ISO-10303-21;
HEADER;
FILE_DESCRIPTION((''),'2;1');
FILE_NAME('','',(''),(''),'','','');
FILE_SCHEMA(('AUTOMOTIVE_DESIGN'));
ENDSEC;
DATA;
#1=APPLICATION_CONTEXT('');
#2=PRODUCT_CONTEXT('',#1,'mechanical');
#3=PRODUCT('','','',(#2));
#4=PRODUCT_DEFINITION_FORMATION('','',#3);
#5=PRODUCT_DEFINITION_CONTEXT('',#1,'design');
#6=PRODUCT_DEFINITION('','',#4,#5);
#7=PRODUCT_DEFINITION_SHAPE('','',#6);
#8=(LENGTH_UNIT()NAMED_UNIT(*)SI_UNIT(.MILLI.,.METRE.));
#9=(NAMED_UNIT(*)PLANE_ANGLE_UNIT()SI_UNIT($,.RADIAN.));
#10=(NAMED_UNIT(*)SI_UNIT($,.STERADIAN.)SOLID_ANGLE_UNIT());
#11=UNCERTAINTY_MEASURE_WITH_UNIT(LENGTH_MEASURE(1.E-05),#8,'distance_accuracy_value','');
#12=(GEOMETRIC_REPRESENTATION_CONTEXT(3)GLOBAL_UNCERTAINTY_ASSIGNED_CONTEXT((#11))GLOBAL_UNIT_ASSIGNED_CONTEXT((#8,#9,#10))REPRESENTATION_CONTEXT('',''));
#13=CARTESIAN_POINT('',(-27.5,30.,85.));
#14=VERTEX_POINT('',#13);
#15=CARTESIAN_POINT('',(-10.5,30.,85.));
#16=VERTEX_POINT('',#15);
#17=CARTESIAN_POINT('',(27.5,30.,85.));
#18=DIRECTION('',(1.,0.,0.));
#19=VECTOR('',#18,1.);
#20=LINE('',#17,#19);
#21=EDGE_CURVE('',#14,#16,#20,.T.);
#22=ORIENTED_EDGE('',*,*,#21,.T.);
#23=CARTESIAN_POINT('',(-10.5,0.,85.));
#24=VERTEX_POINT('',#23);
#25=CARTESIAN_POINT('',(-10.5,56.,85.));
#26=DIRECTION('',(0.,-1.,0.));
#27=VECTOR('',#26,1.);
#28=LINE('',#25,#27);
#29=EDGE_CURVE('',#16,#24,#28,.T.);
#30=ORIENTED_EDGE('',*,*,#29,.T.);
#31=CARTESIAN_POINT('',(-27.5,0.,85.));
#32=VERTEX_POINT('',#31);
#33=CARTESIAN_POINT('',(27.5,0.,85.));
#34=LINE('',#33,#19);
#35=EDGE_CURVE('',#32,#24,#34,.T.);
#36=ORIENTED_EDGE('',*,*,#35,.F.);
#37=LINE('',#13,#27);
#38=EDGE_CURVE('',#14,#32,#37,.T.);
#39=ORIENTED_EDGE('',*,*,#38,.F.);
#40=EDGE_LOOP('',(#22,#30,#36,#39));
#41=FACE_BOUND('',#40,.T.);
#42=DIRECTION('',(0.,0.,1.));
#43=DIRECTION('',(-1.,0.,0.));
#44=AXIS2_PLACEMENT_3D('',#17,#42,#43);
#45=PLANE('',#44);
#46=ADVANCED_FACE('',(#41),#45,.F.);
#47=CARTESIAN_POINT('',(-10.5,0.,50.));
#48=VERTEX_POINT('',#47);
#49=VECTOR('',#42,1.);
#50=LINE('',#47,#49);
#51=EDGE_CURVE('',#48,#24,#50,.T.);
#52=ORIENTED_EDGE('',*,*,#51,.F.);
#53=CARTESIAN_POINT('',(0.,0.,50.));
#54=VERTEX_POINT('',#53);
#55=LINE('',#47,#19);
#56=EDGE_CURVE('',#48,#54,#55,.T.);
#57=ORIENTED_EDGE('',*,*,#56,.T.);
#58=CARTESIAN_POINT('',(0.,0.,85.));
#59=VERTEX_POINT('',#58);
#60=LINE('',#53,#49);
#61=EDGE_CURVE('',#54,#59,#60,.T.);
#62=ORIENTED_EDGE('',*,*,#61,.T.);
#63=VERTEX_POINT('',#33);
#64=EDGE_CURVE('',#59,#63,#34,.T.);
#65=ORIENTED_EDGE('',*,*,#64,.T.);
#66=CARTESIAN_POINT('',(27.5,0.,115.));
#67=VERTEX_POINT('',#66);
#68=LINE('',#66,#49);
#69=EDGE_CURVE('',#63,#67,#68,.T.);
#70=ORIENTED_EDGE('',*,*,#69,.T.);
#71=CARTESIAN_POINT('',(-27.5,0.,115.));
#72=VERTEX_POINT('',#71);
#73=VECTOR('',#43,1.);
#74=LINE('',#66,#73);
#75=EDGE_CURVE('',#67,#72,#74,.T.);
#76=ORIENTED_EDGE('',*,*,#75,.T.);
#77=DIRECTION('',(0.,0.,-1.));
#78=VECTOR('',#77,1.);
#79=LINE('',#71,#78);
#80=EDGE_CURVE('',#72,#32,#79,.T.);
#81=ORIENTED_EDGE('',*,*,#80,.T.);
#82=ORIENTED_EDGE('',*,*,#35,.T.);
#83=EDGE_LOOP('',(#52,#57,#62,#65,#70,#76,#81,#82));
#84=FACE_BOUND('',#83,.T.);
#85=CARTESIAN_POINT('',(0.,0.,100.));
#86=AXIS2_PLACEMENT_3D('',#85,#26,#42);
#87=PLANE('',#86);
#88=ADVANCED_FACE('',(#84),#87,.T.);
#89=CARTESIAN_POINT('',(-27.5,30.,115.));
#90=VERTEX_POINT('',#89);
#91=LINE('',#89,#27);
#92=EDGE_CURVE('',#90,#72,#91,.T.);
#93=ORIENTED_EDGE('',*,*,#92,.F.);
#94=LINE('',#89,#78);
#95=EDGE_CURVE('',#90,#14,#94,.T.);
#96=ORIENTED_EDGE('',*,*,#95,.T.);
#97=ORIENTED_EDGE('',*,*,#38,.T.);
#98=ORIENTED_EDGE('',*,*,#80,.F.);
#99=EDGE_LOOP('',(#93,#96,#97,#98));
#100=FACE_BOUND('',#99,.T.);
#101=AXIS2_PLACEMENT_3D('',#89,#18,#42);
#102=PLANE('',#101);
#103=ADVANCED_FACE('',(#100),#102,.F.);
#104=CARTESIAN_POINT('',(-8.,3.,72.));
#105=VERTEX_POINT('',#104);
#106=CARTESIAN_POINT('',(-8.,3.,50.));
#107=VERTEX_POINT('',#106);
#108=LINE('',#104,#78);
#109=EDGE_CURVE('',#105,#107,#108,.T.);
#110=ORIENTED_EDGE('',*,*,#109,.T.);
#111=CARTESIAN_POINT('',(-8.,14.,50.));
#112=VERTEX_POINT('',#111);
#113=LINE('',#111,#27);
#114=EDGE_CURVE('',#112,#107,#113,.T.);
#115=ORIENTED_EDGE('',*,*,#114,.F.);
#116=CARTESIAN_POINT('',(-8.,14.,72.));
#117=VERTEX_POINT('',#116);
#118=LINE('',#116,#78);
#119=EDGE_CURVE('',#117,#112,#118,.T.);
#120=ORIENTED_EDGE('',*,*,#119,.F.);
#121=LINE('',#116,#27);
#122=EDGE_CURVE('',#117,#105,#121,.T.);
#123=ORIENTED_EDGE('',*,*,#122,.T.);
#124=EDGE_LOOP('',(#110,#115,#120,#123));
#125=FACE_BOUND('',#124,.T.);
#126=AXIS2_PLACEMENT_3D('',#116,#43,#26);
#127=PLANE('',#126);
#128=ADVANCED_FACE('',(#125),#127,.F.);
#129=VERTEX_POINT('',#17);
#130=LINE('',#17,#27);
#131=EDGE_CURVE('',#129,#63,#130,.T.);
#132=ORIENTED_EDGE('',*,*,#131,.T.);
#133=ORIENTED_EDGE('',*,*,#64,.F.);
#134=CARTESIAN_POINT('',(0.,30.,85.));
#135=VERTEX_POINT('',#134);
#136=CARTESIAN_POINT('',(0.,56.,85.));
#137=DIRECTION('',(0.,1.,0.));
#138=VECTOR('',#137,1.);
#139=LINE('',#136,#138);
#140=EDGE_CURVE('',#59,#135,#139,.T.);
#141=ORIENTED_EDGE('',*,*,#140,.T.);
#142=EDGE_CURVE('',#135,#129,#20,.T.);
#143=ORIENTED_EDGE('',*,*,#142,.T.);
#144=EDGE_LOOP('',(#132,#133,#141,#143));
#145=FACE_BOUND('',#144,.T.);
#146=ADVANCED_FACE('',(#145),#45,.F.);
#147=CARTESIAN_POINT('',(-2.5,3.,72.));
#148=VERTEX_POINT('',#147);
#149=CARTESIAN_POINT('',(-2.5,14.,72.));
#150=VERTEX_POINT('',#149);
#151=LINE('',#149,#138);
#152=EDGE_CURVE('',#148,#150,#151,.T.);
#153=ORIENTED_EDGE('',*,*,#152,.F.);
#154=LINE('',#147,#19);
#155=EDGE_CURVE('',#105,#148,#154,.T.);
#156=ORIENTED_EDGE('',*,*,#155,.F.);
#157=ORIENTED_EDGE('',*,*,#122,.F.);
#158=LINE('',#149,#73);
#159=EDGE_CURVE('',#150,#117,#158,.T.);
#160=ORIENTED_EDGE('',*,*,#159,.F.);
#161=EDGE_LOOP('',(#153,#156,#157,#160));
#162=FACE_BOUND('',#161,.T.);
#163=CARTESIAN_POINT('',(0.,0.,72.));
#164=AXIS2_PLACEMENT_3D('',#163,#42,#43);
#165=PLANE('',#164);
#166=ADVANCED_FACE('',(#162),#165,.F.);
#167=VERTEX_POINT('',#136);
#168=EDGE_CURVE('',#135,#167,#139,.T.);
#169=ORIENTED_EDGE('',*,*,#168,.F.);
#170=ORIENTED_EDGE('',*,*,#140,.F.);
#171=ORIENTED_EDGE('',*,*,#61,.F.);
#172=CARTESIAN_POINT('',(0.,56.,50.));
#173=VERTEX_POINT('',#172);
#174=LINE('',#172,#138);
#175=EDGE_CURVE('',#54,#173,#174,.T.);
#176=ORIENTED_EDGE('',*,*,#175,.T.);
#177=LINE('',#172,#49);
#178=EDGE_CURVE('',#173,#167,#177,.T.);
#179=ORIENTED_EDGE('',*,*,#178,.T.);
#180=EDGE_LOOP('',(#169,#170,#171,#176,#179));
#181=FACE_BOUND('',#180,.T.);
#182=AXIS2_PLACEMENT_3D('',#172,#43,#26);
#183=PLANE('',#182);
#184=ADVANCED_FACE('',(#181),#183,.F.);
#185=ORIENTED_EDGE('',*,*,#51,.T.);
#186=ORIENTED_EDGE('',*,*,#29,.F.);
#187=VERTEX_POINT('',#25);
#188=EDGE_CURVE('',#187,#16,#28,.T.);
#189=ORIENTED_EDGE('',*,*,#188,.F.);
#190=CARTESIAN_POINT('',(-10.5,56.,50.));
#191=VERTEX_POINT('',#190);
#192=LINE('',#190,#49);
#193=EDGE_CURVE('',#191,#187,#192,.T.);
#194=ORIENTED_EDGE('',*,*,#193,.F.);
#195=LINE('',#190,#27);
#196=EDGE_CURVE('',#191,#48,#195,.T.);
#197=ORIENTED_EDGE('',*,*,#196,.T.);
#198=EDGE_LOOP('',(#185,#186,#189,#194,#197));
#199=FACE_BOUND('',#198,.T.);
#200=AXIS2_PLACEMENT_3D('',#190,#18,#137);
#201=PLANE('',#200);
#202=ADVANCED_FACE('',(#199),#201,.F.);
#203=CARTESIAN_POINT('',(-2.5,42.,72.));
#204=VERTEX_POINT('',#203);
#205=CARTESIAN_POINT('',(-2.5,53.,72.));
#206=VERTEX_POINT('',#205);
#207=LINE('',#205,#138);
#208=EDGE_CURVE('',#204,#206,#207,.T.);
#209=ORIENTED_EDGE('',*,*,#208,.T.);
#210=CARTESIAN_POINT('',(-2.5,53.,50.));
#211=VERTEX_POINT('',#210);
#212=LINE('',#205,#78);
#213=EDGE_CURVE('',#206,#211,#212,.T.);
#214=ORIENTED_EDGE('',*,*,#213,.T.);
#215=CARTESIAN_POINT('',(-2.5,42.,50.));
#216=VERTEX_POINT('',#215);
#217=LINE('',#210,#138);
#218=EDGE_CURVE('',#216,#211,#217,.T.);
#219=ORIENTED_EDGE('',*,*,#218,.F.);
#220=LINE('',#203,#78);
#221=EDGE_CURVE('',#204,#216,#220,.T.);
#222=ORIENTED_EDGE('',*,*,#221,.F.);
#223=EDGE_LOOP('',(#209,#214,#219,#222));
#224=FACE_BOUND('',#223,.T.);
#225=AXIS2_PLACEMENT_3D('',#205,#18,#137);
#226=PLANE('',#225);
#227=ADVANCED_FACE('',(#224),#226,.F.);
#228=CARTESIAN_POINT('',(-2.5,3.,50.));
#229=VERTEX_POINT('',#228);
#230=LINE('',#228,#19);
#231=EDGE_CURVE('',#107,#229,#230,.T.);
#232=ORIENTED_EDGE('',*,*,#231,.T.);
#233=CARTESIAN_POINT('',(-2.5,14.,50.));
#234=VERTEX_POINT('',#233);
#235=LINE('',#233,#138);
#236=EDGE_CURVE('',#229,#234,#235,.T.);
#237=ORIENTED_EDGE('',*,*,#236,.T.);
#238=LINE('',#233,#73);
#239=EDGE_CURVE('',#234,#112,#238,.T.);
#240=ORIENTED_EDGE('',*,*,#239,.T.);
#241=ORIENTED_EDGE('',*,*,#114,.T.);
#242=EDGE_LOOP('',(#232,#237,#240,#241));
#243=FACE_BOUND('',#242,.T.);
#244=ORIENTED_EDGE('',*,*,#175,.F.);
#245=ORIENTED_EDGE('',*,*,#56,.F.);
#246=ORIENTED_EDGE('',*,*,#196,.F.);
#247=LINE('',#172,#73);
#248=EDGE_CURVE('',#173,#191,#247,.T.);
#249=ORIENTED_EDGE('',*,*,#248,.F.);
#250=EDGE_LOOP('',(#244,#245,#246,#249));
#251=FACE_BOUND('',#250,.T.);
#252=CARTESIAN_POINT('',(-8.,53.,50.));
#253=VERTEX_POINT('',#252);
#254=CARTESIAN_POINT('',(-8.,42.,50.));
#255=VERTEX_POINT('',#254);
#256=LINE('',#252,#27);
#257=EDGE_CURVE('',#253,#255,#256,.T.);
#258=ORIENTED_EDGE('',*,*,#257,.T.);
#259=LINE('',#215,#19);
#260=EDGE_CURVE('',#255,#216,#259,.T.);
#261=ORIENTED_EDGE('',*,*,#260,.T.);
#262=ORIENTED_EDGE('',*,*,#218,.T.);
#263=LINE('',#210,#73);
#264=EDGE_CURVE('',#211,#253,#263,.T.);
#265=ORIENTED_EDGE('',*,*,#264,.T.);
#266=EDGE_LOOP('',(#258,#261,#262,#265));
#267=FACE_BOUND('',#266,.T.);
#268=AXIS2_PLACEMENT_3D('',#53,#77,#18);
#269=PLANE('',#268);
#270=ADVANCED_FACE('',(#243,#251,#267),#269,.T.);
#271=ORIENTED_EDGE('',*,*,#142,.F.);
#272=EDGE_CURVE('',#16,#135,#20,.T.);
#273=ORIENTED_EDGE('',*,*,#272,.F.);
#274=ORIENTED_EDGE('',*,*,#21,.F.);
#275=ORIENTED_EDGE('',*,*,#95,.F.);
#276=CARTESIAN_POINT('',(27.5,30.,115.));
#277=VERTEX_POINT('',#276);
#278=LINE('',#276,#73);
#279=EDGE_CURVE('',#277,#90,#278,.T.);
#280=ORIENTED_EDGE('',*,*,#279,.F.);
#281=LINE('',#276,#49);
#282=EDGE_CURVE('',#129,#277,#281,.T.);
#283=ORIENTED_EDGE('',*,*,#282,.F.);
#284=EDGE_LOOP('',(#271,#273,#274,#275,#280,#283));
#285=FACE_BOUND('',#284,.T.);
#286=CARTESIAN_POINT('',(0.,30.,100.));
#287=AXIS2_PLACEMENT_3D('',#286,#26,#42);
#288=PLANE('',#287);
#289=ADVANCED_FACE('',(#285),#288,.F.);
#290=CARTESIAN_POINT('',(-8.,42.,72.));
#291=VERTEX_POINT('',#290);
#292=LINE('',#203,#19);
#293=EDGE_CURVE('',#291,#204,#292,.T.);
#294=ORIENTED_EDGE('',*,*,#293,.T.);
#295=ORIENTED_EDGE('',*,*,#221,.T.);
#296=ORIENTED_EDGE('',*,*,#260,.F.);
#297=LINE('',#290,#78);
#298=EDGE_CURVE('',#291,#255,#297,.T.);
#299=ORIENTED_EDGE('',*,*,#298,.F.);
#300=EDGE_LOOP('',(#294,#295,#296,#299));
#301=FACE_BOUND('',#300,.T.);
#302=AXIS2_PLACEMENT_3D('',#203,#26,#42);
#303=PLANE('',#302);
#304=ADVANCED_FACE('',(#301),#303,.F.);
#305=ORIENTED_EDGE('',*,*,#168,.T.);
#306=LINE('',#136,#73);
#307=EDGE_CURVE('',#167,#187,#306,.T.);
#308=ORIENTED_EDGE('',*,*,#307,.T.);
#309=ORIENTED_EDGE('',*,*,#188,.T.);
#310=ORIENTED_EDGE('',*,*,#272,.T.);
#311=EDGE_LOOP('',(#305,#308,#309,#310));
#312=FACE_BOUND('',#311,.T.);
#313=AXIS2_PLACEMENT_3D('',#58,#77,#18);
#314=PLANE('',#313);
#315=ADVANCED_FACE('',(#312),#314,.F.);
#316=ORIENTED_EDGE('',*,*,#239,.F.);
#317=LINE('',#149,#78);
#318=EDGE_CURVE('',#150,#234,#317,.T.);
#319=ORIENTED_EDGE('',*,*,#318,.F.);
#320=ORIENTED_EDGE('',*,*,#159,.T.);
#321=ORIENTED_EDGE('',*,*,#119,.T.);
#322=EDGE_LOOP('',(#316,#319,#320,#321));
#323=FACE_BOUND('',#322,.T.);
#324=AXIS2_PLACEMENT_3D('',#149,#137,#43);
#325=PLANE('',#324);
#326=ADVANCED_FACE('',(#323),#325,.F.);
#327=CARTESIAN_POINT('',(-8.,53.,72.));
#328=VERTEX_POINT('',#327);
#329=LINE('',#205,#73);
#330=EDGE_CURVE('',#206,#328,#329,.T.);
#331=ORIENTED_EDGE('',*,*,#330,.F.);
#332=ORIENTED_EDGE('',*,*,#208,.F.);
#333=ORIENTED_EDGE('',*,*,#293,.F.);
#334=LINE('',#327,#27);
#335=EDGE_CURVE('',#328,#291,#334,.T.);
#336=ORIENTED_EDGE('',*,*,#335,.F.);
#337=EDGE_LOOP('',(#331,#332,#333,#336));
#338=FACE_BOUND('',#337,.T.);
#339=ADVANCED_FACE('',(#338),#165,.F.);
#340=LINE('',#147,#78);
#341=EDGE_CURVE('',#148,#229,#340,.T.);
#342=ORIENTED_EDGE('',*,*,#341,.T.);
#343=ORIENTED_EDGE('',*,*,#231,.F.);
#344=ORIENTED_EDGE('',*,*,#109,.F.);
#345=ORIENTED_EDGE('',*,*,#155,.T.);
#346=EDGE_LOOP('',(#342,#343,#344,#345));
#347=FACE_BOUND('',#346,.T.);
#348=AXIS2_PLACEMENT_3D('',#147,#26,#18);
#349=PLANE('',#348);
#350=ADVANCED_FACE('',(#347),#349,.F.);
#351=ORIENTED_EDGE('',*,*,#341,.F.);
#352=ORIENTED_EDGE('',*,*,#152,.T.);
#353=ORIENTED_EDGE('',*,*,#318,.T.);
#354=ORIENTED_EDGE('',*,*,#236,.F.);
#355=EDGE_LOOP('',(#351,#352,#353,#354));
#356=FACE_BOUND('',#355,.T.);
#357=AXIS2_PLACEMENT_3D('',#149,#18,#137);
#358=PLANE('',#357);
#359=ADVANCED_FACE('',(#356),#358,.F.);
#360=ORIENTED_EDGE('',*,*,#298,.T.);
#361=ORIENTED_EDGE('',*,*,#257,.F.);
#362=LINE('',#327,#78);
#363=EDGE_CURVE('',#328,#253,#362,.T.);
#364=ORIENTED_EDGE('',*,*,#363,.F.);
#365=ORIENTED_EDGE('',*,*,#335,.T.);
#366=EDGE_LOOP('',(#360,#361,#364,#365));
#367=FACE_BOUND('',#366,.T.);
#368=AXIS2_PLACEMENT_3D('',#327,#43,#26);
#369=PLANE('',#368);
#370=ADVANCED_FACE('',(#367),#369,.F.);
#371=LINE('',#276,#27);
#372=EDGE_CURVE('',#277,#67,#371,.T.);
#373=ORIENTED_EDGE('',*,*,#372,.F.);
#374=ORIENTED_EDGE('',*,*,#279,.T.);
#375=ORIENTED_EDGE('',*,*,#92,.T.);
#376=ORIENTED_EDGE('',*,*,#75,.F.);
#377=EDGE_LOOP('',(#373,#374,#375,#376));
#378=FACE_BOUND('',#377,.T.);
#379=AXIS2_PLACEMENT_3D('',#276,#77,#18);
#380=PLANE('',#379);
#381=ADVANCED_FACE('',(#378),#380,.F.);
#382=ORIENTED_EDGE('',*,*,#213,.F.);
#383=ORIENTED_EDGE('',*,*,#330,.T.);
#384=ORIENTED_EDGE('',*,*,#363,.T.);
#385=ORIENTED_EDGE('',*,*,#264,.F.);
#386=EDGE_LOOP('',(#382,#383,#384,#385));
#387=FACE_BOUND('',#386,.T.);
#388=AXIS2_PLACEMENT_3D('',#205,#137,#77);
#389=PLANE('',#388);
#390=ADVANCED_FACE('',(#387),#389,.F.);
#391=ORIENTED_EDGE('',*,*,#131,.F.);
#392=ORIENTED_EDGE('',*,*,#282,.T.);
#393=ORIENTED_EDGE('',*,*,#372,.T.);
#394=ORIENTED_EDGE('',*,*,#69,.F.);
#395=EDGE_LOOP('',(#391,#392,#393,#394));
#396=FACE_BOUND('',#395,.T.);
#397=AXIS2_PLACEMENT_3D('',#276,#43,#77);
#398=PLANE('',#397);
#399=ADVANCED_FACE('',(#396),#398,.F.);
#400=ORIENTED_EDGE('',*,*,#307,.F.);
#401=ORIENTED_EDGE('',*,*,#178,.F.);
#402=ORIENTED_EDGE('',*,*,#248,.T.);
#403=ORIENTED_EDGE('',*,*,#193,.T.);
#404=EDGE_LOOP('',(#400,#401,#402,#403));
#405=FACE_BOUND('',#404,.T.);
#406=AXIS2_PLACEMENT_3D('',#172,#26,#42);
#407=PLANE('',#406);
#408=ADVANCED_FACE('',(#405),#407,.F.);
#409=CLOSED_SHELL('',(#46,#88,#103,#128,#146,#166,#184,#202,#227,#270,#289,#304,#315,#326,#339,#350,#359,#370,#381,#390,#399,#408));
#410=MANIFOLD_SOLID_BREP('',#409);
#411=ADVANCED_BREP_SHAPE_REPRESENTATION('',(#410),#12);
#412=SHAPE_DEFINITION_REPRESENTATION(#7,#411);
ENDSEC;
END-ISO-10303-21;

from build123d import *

# Parameters (mm, degrees)
SKETCH1_W           = 55
SKETCH1_H           = 30
BOSS_EXTRUDE1_DEPTH = 30
SKETCH2_W           = 10.5
SKETCH2_H           = 56
BOSS_EXTRUDE2_DEPTH = 35
SKETCH3_W           = 5.5
SKETCH3_H           = 11
CUT_EXTRUDE1_DEPTH  = 22


with BuildPart() as part:
    # Sketch1 → Boss-Extrude1 (new body)
    with BuildSketch(Plane(origin=(0, 0, 0), x_dir=(1, 0, 0), z_dir=(0, 1, 0))):
        Rectangle(SKETCH1_W, SKETCH1_H)
    extrude(amount=BOSS_EXTRUDE1_DEPTH)

    # Sketch2 → Boss-Extrude2 (add)
    with BuildSketch(Plane.XY.offset(15)):
        with Locations((-5.25, 28)):
            Rectangle(SKETCH2_W, SKETCH2_H)
    extrude(amount=BOSS_EXTRUDE2_DEPTH)

    # Sketch3 → Cut-Extrude1 (cut)
    with BuildSketch(Plane.XY.offset(50)):
        with Locations((-5.25, 8.5)):
            Rectangle(SKETCH3_W, SKETCH3_H)
        with Locations((-5.25, 47.5)):
            Rectangle(SKETCH3_W, SKETCH3_H)
    extrude(amount=-CUT_EXTRUDE1_DEPTH, mode=Mode.SUBTRACT)


with BuildPart() as body_2:
    # Mirror1: mirrored copy
    add(part.part.mirror(Plane.XY.offset(50)))


solid = body_2.part
